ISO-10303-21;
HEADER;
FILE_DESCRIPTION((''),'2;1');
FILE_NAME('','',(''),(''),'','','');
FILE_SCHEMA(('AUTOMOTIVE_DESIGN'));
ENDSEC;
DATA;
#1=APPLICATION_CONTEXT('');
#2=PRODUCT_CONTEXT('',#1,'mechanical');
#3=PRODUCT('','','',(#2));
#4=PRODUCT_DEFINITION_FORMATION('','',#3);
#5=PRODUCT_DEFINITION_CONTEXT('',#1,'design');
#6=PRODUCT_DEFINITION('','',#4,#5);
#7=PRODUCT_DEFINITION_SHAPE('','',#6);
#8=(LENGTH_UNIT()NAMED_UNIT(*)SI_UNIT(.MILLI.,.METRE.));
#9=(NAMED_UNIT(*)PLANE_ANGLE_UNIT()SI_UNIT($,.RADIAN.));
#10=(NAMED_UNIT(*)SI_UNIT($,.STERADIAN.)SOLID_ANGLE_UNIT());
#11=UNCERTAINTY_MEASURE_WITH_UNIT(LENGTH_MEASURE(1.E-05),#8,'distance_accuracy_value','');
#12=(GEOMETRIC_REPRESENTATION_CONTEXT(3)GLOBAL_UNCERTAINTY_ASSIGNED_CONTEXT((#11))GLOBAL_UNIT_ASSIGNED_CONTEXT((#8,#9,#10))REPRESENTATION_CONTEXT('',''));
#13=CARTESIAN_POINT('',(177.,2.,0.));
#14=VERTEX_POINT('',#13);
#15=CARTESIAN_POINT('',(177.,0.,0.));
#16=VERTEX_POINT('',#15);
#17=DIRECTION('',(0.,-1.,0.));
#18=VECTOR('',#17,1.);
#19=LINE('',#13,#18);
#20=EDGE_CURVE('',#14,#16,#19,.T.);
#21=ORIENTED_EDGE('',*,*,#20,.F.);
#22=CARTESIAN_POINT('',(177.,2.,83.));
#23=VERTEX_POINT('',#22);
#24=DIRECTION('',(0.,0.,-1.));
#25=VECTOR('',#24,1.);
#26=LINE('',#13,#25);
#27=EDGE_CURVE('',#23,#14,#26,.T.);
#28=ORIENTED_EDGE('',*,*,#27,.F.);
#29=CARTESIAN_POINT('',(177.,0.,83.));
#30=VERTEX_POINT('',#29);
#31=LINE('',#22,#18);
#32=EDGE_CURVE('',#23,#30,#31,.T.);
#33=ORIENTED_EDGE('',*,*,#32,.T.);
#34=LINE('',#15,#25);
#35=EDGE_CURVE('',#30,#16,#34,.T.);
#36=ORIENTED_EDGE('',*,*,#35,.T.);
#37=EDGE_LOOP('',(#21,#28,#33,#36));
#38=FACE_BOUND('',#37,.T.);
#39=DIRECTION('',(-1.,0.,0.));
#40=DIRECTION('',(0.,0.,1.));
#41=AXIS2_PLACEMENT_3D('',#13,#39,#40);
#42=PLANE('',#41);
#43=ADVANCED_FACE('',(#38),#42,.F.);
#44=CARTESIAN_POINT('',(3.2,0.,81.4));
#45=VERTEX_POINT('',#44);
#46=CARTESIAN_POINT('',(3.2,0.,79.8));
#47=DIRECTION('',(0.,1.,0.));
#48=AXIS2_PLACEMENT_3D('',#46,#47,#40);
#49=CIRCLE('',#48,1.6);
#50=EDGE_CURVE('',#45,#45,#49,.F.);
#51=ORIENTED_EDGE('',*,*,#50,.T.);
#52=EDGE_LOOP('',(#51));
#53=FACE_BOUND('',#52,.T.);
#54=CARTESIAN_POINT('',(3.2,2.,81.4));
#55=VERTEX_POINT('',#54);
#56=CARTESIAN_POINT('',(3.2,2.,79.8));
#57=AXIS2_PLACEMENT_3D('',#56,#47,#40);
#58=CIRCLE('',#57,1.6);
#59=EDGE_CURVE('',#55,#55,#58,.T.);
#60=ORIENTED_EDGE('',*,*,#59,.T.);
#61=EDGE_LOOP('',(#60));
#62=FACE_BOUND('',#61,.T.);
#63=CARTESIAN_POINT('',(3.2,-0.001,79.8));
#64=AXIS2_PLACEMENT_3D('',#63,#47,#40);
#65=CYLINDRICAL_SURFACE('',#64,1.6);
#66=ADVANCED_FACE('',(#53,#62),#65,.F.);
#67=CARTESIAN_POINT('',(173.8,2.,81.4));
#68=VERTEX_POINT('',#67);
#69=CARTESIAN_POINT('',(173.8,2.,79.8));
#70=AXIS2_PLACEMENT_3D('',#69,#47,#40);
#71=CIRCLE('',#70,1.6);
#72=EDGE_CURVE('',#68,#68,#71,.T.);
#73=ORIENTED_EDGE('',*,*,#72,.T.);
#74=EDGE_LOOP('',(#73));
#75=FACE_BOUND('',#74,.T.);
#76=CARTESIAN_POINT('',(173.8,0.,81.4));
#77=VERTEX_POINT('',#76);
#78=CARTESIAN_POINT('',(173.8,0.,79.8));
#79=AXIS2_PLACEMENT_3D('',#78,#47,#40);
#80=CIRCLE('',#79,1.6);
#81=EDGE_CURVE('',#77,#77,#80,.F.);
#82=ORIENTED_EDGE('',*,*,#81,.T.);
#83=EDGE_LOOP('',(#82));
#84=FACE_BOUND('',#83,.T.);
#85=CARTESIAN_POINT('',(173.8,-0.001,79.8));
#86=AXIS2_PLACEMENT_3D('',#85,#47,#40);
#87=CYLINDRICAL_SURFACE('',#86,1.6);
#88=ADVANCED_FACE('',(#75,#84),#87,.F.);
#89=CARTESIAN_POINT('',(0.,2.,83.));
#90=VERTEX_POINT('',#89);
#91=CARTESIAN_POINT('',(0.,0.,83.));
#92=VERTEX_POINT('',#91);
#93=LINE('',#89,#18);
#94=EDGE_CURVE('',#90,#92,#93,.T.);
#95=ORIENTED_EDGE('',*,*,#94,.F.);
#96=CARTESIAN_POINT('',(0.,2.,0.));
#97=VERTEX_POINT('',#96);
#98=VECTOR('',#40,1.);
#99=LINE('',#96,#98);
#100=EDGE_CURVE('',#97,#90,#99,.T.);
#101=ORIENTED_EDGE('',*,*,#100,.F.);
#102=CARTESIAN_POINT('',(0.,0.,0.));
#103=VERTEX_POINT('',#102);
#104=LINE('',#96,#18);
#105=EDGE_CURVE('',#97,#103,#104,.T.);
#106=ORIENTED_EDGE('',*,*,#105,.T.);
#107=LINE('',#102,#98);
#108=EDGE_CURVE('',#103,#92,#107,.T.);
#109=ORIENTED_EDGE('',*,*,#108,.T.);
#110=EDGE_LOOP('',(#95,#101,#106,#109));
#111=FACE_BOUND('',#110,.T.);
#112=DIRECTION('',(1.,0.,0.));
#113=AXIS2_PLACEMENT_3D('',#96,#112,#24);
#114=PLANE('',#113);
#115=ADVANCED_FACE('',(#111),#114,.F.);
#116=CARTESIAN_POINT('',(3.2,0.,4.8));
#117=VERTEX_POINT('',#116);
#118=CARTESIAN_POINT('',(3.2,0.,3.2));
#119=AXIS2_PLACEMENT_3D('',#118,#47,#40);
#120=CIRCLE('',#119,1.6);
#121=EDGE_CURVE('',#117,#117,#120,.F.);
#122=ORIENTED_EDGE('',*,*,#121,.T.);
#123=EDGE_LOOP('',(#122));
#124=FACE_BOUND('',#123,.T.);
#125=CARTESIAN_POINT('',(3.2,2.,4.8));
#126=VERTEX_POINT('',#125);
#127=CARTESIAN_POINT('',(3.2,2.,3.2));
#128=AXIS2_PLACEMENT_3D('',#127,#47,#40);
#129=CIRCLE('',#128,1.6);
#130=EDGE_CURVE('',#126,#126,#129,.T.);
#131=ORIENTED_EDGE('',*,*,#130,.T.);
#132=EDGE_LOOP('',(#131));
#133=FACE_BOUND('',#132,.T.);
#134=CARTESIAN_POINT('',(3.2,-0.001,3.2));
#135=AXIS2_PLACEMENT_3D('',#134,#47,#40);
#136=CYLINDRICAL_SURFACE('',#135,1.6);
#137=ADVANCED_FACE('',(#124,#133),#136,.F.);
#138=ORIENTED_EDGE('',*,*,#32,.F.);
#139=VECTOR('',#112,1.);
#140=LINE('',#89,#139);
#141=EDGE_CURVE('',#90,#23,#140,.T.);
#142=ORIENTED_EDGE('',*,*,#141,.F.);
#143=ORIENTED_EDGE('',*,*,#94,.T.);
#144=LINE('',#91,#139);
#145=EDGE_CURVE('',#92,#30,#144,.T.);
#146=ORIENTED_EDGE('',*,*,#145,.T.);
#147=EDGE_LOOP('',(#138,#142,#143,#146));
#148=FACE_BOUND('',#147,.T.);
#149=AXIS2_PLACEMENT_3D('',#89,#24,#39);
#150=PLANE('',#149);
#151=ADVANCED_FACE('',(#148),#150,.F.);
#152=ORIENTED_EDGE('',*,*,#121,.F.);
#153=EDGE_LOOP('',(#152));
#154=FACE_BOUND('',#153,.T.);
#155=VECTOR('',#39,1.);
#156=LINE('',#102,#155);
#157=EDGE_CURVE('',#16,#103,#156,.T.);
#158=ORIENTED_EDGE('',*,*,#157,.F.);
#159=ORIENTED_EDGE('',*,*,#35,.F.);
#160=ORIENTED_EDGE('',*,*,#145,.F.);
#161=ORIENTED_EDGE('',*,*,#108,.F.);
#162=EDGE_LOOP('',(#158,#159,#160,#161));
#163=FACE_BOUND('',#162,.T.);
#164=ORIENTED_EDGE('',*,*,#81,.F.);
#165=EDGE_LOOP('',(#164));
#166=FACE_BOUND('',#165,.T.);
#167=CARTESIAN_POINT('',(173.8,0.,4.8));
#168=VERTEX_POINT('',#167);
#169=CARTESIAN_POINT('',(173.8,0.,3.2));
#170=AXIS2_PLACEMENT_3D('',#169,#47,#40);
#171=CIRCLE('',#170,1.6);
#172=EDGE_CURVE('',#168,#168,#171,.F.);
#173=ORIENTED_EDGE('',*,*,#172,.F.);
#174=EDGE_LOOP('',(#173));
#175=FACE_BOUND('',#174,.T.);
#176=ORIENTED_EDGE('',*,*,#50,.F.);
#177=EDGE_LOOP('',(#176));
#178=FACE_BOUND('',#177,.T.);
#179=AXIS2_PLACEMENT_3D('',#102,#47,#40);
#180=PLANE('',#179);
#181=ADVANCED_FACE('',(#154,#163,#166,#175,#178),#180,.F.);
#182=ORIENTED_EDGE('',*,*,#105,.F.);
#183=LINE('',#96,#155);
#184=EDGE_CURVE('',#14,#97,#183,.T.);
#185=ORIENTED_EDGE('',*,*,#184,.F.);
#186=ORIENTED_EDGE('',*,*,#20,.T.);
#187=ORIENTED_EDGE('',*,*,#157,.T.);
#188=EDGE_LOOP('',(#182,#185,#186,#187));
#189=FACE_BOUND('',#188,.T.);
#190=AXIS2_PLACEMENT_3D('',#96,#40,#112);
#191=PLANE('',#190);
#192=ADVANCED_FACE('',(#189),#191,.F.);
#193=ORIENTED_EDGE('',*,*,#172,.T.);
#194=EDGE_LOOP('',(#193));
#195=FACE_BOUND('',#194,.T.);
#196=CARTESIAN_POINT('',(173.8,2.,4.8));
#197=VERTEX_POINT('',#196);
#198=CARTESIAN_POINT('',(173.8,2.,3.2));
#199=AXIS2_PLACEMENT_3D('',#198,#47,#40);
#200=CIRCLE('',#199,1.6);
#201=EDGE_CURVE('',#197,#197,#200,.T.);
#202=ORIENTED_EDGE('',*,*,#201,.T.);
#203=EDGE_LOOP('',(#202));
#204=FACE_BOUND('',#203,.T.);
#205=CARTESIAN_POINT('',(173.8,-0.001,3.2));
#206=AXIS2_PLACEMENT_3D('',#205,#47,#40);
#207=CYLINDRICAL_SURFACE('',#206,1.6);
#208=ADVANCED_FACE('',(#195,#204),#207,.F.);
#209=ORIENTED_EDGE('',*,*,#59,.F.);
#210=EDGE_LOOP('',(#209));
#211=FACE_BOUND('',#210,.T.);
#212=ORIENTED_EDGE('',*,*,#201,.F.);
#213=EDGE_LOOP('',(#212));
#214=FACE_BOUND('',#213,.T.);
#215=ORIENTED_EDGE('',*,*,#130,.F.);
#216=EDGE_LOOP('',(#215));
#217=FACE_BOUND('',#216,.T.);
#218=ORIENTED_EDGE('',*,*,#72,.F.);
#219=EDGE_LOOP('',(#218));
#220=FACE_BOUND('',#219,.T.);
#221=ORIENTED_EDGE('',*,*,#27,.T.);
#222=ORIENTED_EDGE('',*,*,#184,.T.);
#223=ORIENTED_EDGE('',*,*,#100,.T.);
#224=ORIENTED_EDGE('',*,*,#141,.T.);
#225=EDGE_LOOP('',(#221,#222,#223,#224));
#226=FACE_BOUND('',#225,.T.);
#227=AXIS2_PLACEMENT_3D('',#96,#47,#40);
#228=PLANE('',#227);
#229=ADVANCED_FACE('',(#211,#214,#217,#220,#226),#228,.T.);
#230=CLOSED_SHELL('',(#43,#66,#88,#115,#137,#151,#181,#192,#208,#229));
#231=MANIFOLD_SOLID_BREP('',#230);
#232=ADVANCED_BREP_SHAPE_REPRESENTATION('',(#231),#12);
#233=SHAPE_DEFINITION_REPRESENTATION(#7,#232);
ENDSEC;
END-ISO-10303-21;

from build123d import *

# Parameters (mm, degrees)
ESQUISSE1_W             = 177
ESQUISSE1_H             = 83
BOSS_EXTRU_1_DEPTH      = 2
ENL_V_MAT_EXTRU_1_REACH = 197.504
ESQUISSE2_R             = 1.6


with BuildPart() as part:
    # Esquisse1 → Boss.-Extru.1 (new body)
    with BuildSketch(Plane(origin=(0, 0, 0), x_dir=(1, 0, 0), z_dir=(0, 1, 0))):
        with Locations((88.5, -41.5)):
            Rectangle(ESQUISSE1_W, ESQUISSE1_H)
    extrude(amount=BOSS_EXTRU_1_DEPTH)

    # Esquisse2 → Enlèv. mat.-Extru.1 (cut, up to next)
    with BuildSketch(Plane(origin=(0, 2, 0), x_dir=(1, 0, 0), z_dir=(0, 1, 0)), mode=Mode.PRIVATE) as enl_v_mat_extru_1_sk1:
        with Locations(Location((3.2, -3.2, 0), (0, 0, 270))):
            Circle(ESQUISSE2_R)
    enl_v_mat_extru_1_tool1 = extrude(enl_v_mat_extru_1_sk1.sketch, amount=-ENL_V_MAT_EXTRU_1_REACH, mode=Mode.PRIVATE) & part.part
    # Esquisse2 → Enlèv. mat.-Extru.1 (cut, up to next)
    with BuildSketch(Plane(origin=(0, 2, 0), x_dir=(1, 0, 0), z_dir=(0, 1, 0)), mode=Mode.PRIVATE) as enl_v_mat_extru_1_sk2:
        with Locations(Location((3.2, -79.8, 0), (0, 0, 270))):
            Circle(ESQUISSE2_R)
    enl_v_mat_extru_1_tool2 = extrude(enl_v_mat_extru_1_sk2.sketch, amount=-ENL_V_MAT_EXTRU_1_REACH, mode=Mode.PRIVATE) & part.part
    # Esquisse2 → Enlèv. mat.-Extru.1 (cut, up to next)
    with BuildSketch(Plane(origin=(0, 2, 0), x_dir=(1, 0, 0), z_dir=(0, 1, 0)), mode=Mode.PRIVATE) as enl_v_mat_extru_1_sk3:
        with Locations(Location((173.8, -3.2, 0), (0, 0, 270))):
            Circle(ESQUISSE2_R)
    enl_v_mat_extru_1_tool3 = extrude(enl_v_mat_extru_1_sk3.sketch, amount=-ENL_V_MAT_EXTRU_1_REACH, mode=Mode.PRIVATE) & part.part
    # Esquisse2 → Enlèv. mat.-Extru.1 (cut, up to next)
    with BuildSketch(Plane(origin=(0, 2, 0), x_dir=(1, 0, 0), z_dir=(0, 1, 0)), mode=Mode.PRIVATE) as enl_v_mat_extru_1_sk4:
        with Locations(Location((173.8, -79.8, 0), (0, 0, 270))):
            Circle(ESQUISSE2_R)
    enl_v_mat_extru_1_tool4 = extrude(enl_v_mat_extru_1_sk4.sketch, amount=-ENL_V_MAT_EXTRU_1_REACH, mode=Mode.PRIVATE) & part.part
    add(enl_v_mat_extru_1_tool1.solids().sort_by_distance((3.2, 2, 3.2))[0], mode=Mode.SUBTRACT)
    add(enl_v_mat_extru_1_tool2.solids().sort_by_distance((3.2, 2, 79.8))[0], mode=Mode.SUBTRACT)
    add(enl_v_mat_extru_1_tool3.solids().sort_by_distance((173.8, 2, 3.2))[0], mode=Mode.SUBTRACT)
    add(enl_v_mat_extru_1_tool4.solids().sort_by_distance((173.8, 2, 79.8))[0], mode=Mode.SUBTRACT)


solid = part.part
